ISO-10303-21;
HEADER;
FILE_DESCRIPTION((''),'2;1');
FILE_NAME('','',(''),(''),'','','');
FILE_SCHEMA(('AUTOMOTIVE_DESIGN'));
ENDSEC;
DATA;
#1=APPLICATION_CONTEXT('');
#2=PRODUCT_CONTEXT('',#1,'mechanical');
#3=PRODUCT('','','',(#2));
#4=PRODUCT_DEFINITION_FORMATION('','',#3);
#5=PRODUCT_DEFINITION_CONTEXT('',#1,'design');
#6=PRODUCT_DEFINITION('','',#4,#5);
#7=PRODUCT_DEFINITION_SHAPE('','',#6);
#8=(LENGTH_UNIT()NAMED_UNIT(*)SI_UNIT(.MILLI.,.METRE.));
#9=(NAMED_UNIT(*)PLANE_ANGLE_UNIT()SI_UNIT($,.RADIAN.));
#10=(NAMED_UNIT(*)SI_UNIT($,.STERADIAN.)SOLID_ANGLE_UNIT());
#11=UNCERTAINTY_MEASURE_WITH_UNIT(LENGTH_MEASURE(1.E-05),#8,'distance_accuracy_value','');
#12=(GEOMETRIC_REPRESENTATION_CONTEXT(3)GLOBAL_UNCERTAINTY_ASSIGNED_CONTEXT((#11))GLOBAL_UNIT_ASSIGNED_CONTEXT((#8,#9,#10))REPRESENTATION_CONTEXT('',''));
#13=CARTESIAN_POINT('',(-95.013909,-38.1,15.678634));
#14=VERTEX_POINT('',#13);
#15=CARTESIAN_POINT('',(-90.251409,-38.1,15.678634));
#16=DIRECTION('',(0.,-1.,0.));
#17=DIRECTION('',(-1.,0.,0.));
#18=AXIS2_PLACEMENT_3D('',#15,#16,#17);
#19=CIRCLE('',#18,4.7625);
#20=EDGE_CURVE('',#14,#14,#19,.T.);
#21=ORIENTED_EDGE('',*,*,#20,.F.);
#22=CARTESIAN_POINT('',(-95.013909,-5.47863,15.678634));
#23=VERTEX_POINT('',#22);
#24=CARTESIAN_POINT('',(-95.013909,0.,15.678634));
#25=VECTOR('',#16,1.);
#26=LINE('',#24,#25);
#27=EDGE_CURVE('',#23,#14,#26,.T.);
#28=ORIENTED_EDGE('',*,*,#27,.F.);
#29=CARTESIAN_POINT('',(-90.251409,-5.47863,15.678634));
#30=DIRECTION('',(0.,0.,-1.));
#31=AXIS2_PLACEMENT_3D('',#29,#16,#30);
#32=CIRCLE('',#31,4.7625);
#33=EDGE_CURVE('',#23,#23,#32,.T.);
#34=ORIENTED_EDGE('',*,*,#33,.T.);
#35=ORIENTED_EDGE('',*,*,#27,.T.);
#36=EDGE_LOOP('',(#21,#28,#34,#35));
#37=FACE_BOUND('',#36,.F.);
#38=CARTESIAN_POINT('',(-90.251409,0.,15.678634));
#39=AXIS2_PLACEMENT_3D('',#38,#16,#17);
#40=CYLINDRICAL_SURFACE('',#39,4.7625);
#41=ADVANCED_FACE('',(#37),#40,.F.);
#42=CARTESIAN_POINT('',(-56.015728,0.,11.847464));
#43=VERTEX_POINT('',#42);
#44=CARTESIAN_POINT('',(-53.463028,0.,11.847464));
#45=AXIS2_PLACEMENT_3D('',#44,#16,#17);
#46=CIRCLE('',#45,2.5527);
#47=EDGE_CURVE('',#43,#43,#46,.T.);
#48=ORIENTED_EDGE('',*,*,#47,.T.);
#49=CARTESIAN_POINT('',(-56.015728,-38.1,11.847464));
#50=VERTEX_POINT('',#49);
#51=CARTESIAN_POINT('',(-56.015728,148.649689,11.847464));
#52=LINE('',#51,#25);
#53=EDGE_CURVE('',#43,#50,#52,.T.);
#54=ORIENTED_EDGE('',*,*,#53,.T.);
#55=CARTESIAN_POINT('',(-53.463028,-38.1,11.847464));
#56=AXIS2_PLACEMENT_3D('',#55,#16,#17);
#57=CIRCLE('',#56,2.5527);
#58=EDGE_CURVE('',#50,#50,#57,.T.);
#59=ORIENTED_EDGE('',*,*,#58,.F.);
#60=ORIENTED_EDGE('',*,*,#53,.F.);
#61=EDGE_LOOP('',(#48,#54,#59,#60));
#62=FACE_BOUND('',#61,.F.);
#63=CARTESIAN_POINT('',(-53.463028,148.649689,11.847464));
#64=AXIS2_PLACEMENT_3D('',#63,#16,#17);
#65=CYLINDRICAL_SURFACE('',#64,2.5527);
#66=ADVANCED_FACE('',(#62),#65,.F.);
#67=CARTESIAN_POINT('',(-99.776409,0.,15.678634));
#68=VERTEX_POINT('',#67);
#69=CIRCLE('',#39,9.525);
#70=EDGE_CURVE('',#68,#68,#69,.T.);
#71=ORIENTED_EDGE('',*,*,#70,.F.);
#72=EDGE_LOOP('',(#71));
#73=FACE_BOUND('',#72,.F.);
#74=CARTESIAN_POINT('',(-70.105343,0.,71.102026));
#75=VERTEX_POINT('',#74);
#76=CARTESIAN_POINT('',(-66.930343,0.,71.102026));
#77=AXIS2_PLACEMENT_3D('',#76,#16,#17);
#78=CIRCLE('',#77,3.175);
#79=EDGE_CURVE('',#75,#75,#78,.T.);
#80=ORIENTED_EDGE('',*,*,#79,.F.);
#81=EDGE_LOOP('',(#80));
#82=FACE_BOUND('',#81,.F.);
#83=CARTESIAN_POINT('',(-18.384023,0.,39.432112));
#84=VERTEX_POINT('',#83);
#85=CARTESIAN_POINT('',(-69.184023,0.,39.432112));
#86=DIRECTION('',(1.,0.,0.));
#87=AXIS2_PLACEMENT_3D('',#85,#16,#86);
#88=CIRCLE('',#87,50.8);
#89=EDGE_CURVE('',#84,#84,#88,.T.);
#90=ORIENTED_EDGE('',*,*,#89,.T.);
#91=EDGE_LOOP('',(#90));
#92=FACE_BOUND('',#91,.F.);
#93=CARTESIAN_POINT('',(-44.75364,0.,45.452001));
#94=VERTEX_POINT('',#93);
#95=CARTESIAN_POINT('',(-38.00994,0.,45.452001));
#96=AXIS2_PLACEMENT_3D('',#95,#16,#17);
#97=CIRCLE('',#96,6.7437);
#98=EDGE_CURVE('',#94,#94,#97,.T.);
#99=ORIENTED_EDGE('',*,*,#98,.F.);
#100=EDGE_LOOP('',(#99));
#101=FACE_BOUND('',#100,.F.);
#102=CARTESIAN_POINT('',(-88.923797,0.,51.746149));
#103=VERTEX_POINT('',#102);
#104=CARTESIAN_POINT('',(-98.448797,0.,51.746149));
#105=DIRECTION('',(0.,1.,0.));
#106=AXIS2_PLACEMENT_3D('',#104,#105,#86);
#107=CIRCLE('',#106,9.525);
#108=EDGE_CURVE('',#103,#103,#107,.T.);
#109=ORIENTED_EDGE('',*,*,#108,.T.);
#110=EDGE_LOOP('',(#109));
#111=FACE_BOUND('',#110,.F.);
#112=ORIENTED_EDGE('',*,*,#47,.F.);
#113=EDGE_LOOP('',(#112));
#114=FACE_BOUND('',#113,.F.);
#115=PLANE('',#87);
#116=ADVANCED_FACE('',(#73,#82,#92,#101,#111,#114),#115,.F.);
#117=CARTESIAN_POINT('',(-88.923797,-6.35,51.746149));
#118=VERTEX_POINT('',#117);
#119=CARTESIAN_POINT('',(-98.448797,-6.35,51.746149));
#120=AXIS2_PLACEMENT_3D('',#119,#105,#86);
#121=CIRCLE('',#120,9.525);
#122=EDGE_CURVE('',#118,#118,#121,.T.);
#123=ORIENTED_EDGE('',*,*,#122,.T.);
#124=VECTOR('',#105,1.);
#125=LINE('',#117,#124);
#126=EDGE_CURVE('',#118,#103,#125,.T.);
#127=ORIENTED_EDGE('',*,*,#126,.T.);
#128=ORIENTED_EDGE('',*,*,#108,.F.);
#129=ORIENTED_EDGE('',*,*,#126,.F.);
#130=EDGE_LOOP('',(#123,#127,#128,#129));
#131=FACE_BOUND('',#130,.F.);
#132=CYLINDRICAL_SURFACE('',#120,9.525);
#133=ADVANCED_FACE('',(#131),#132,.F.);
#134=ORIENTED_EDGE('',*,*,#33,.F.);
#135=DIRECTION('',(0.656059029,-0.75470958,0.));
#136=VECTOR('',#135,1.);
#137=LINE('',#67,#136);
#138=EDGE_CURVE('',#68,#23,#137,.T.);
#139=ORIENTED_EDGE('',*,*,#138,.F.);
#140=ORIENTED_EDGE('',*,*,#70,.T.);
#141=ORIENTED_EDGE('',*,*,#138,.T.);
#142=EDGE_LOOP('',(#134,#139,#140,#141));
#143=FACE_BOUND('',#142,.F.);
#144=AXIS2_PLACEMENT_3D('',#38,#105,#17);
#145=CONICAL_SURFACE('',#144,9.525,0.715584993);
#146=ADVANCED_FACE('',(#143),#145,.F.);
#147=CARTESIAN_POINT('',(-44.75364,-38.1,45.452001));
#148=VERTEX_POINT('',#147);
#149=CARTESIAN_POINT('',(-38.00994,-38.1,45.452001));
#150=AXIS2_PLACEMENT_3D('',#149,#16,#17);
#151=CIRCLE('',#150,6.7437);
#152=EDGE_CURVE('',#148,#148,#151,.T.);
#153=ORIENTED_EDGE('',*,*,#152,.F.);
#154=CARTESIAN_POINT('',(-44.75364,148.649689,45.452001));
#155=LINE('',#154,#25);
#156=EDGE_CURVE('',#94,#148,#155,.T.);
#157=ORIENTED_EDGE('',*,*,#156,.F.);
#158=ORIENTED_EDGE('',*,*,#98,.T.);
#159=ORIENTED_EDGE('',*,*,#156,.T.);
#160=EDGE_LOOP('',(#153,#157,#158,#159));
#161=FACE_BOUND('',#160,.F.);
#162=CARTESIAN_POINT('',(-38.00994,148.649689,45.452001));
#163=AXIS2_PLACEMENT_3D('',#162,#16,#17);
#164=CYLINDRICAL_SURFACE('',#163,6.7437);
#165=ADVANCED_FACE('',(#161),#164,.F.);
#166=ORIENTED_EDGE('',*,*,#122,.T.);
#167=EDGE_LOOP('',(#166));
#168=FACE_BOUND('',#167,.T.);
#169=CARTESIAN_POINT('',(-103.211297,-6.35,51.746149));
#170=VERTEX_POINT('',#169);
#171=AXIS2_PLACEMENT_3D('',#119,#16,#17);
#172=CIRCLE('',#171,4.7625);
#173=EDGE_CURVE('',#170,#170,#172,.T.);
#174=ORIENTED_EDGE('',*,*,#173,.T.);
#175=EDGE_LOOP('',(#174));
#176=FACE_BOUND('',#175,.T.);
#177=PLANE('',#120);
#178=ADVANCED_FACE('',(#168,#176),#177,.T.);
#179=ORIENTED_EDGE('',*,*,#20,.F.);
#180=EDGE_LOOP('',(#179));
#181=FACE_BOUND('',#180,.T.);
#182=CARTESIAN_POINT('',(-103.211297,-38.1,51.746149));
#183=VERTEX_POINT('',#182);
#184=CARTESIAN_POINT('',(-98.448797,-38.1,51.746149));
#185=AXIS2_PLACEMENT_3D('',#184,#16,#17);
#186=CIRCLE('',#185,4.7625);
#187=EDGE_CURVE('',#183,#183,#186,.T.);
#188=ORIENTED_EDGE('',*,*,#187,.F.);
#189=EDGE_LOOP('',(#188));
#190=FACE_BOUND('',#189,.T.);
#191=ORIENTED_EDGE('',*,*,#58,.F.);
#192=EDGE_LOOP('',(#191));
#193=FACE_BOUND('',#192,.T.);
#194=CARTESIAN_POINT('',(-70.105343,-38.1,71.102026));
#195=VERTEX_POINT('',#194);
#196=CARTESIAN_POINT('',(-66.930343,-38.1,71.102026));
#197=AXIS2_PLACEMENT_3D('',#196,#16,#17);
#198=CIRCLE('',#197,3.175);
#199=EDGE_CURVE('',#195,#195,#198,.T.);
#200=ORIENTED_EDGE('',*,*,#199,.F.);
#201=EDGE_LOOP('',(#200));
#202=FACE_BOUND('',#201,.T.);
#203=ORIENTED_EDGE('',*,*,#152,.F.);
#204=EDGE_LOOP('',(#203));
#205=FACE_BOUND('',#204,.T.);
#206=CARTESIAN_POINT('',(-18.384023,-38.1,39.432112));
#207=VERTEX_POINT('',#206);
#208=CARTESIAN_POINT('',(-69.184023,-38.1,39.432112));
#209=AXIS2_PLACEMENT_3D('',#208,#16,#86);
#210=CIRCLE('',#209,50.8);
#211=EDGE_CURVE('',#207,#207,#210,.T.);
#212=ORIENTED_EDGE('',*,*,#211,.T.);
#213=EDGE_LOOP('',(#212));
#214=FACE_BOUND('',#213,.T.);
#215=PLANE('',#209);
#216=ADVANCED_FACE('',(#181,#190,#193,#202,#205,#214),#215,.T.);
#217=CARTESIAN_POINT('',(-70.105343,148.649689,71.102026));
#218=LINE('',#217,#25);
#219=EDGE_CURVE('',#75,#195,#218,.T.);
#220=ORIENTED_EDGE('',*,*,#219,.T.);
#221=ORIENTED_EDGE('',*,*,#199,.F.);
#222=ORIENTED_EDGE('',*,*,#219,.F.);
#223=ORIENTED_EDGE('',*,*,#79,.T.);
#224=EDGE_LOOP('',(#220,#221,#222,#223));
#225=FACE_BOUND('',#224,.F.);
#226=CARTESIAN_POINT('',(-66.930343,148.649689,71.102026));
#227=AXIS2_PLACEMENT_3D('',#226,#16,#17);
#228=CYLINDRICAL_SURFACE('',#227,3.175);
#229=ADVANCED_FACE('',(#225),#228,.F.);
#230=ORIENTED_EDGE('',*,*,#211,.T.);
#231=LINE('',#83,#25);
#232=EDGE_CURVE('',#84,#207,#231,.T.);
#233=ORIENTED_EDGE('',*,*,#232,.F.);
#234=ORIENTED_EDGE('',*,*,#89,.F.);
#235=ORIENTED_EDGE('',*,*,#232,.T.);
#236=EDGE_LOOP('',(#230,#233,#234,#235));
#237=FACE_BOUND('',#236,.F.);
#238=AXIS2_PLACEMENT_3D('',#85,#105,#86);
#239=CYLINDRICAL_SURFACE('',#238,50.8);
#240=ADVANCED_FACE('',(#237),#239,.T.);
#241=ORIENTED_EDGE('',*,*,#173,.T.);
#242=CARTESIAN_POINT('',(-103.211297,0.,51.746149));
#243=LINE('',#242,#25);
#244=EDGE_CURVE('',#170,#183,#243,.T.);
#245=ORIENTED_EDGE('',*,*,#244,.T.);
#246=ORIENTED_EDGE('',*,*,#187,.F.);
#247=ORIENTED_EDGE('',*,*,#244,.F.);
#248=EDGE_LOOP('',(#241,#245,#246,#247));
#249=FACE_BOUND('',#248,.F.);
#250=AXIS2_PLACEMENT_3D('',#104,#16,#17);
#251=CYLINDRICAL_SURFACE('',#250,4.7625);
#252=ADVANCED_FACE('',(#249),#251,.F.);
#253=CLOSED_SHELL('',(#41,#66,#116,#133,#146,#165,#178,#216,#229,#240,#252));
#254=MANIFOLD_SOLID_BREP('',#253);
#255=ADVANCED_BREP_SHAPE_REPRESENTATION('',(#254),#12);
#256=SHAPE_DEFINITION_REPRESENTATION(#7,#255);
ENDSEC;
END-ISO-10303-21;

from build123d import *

# Parameters (mm, degrees)
F0_R           = 50.8
F0_R_2         = 31.75
F1_DEPTH       = 38.1
F2_D           = 6.35
F3_D           = 9.525
F3_CBORE_D     = 19.05
F3_CBORE_DEPTH = 6.35
F4_D           = 9.525
F4_CSINK_D     = 19.05
F4_CSINK_ANGLE = 82
F5_D           = 5.1054
F6_D           = 13.4874


with BuildPart() as f1:
    # F0 (on Front) → F1 (new body)
    with BuildSketch(Plane.XZ):
        with Locations((-69.1840230678, 39.4321120498)):
            Circle(F0_R)
        with Locations((-69.1840230678, 39.4321120498)):
            Circle(F0_R_2, mode=Mode.SUBTRACT)
        with Locations((-69.1840230678, 39.4321120498)):
            Circle(F0_R_2)
    extrude(amount=F1_DEPTH)

    # F2 (through all)
    with Locations(Plane(origin=(0, 0, 0), x_dir=(1, 0, 0), z_dir=(0, 1, 0))):
        with Locations((-66.9303433413, -71.1020256539)):
            Hole(F2_D / 2)

    # F3 (through all)
    with Locations(Plane(origin=(0, 0, 0), x_dir=(1, 0, 0), z_dir=(0, 1, 0))):
        with Locations((-98.4487968518, -51.7461493802)):
            CounterBoreHole(F3_D / 2, F3_CBORE_D / 2, F3_CBORE_DEPTH)

    # F4 (through all)
    with Locations(Plane(origin=(0, 0, 0), x_dir=(1, 0, 0), z_dir=(0, 1, 0))):
        with Locations((-90.251409269, -15.6786335961)):
            CounterSinkHole(F4_D / 2, F4_CSINK_D / 2, counter_sink_angle=F4_CSINK_ANGLE)

    # F5 (through all)
    with Locations(Plane(origin=(0, 0, 0), x_dir=(1, 0, 0), z_dir=(0, 1, 0))):
        with Locations((-53.4630279955, -11.847463893)):
            Hole(F5_D / 2)

    # F6 (through all)
    with Locations(Plane(origin=(0, 0, 0), x_dir=(1, 0, 0), z_dir=(0, 1, 0))):
        with Locations((-38.0099403665, -45.4520013953)):
            Hole(F6_D / 2)


solid = f1.part
